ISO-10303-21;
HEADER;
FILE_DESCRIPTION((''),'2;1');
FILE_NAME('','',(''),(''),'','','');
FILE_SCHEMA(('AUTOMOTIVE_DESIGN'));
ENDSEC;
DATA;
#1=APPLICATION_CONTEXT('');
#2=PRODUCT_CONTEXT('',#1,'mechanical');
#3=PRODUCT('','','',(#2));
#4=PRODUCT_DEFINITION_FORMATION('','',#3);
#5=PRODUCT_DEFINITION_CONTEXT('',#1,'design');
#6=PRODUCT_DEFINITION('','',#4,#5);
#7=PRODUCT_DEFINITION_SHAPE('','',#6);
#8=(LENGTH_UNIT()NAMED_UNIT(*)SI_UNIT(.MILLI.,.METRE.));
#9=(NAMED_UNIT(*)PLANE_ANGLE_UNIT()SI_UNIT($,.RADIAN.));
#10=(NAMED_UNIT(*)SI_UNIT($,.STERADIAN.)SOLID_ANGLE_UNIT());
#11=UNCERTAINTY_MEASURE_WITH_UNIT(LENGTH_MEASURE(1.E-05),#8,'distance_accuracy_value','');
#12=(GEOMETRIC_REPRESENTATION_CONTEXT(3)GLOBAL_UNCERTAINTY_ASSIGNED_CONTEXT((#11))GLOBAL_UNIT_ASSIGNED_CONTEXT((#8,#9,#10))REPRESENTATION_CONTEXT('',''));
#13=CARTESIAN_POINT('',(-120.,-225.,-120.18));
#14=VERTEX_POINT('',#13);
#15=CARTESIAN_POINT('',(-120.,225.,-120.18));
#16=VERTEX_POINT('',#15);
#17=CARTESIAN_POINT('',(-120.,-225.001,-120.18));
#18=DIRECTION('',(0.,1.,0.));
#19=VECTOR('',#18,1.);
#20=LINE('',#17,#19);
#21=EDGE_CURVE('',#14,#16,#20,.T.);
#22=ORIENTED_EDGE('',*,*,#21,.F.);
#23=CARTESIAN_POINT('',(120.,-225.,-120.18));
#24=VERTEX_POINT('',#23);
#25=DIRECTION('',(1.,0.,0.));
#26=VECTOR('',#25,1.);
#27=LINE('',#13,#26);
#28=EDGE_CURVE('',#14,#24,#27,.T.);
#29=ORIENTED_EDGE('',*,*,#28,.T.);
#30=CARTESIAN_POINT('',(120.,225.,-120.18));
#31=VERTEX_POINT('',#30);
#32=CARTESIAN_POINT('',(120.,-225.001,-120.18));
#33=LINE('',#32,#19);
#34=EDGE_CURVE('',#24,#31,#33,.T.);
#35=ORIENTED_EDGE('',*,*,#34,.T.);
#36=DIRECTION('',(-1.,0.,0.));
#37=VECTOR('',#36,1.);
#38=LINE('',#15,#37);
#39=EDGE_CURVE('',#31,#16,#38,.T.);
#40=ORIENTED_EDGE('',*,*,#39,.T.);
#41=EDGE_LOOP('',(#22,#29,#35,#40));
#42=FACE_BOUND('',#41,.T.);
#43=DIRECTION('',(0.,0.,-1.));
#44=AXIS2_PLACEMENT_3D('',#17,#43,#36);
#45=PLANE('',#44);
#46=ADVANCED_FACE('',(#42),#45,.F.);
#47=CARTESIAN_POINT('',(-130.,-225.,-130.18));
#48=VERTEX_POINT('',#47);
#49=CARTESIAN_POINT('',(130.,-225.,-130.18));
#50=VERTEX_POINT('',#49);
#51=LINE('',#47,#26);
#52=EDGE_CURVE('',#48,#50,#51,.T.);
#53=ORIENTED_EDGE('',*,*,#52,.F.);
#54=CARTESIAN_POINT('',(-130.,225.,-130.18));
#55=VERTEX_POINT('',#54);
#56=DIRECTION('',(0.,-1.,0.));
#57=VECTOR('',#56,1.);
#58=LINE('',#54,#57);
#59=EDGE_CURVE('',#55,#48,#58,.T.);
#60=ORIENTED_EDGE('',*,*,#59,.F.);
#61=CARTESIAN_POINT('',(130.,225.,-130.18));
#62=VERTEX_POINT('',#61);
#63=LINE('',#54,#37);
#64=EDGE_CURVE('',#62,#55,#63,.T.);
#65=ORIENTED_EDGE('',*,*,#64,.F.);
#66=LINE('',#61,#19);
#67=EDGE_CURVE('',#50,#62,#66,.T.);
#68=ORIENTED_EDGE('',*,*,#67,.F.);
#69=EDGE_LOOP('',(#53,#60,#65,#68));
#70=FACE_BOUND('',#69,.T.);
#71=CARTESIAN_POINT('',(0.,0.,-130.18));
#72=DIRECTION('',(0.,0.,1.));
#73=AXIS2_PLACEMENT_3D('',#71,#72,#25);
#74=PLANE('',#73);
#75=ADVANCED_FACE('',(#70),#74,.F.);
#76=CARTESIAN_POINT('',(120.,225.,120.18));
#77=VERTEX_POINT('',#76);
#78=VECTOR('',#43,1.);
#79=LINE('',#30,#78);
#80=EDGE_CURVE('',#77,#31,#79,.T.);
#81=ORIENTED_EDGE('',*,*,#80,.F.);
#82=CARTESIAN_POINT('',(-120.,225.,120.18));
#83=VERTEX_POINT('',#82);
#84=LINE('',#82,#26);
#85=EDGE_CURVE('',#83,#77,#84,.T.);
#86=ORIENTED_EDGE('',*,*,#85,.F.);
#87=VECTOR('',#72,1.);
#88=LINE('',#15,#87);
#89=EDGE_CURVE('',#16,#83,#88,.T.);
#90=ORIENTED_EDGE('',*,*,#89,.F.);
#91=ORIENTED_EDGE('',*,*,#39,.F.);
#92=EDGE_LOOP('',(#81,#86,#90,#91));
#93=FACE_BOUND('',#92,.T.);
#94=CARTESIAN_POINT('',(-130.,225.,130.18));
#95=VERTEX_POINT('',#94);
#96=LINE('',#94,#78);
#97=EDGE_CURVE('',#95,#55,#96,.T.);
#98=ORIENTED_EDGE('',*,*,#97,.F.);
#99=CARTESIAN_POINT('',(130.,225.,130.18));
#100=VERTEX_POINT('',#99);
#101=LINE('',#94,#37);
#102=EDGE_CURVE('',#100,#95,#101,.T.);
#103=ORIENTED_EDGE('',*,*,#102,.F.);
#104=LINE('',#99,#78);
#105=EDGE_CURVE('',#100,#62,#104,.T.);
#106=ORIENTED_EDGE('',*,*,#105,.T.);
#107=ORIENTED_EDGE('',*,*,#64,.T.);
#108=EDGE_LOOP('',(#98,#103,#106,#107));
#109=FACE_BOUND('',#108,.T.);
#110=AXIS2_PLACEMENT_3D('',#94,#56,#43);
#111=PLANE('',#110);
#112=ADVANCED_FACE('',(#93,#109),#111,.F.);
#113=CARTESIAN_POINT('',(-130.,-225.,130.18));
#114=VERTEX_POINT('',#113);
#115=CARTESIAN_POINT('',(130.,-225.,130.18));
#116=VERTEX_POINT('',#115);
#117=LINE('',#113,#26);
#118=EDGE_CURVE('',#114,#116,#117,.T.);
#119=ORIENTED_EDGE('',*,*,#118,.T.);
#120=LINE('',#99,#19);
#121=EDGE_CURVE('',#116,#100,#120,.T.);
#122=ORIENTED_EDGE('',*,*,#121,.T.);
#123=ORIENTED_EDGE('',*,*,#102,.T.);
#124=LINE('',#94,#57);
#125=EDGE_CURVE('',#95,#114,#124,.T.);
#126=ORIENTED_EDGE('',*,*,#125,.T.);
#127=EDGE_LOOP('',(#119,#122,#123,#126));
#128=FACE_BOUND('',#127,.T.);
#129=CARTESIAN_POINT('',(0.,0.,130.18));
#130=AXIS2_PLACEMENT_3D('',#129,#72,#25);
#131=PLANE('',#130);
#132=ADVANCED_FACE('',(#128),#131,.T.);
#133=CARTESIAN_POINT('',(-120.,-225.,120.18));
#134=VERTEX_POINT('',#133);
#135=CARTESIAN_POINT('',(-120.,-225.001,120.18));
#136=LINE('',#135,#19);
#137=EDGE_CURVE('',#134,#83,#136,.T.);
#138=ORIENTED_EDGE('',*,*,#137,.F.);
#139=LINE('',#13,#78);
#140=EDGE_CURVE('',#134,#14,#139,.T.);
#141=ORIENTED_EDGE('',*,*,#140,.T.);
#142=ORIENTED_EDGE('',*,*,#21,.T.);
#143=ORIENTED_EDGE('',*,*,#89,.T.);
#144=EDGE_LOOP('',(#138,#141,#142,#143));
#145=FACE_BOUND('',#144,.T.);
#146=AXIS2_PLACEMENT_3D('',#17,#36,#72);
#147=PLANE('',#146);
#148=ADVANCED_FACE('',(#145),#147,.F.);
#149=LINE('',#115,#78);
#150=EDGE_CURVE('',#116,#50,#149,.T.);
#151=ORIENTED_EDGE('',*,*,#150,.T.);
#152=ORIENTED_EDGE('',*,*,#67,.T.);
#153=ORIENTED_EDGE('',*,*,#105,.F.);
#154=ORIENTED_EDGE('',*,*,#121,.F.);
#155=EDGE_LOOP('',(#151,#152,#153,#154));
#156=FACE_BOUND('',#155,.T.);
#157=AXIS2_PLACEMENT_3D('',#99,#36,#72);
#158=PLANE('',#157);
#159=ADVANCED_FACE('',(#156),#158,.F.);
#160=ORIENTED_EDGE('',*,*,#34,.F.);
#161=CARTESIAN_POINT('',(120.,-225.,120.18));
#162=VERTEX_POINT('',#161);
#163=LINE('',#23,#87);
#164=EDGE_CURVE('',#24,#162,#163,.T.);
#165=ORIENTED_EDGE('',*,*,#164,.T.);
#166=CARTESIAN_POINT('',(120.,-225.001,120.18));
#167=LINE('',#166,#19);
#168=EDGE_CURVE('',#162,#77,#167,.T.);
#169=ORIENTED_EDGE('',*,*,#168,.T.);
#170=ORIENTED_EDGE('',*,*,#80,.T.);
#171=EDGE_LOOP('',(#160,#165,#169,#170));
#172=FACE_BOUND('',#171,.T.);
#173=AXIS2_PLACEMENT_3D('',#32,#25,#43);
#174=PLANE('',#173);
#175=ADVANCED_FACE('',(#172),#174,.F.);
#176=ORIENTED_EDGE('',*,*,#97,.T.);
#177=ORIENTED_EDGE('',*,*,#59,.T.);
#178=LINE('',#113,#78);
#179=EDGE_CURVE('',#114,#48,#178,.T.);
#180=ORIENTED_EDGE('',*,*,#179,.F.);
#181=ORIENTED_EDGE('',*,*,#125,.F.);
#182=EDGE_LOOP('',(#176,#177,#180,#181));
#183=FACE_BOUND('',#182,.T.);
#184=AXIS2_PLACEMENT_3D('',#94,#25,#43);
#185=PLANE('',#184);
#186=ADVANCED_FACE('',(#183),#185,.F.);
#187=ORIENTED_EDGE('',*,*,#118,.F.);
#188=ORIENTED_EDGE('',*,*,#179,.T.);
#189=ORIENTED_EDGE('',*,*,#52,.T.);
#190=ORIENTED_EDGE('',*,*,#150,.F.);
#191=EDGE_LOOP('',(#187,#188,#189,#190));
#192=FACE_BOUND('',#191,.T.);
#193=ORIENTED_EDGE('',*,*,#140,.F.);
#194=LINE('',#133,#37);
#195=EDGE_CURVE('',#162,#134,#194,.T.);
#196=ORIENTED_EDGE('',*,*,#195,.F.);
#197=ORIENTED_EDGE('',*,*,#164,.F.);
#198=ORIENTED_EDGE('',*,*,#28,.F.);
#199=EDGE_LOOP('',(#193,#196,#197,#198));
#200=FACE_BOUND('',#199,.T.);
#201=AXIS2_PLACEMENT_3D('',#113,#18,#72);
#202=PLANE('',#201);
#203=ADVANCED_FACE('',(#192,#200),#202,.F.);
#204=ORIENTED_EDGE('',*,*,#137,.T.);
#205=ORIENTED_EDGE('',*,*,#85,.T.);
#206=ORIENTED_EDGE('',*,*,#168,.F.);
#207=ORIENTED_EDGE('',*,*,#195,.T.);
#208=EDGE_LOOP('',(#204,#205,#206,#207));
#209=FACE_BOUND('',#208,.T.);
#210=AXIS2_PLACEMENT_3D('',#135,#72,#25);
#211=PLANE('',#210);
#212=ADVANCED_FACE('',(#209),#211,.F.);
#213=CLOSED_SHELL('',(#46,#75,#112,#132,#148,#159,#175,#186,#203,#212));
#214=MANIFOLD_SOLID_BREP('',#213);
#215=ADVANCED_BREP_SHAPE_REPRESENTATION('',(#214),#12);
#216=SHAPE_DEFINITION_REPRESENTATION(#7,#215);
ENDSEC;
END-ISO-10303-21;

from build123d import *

# Parameters (mm, degrees)
ESQUISSE1_W             = 260
ESQUISSE1_H             = 450
BOSS_EXTRU_1_DEPTH      = 130.18
ENL_V_MAT_EXTRU_1_REACH = 488.155
ESQUISSE2_W             = 240
ESQUISSE2_H             = 240.36


with BuildPart() as part:
    # Esquisse1 → Boss.-Extru.1 (new, symmetric)
    with BuildSketch(Plane.XY):
        Rectangle(ESQUISSE1_W, ESQUISSE1_H)
    extrude(amount=BOSS_EXTRU_1_DEPTH, both=True)

    # Esquisse2 → Enlèv. mat.-Extru.1 (cut, up to next)
    with BuildSketch(Plane(origin=(0, 225, 0), x_dir=(1, 0, 0), z_dir=(0, 1, 0)), mode=Mode.PRIVATE) as enl_v_mat_extru_1_sk1:
        Rectangle(ESQUISSE2_W, ESQUISSE2_H)
    enl_v_mat_extru_1_tool1 = extrude(enl_v_mat_extru_1_sk1.sketch, amount=-ENL_V_MAT_EXTRU_1_REACH, mode=Mode.PRIVATE) & part.part
    add(enl_v_mat_extru_1_tool1.solids().sort_by_distance((0, 225, 0))[0], mode=Mode.SUBTRACT)


solid = part.part
